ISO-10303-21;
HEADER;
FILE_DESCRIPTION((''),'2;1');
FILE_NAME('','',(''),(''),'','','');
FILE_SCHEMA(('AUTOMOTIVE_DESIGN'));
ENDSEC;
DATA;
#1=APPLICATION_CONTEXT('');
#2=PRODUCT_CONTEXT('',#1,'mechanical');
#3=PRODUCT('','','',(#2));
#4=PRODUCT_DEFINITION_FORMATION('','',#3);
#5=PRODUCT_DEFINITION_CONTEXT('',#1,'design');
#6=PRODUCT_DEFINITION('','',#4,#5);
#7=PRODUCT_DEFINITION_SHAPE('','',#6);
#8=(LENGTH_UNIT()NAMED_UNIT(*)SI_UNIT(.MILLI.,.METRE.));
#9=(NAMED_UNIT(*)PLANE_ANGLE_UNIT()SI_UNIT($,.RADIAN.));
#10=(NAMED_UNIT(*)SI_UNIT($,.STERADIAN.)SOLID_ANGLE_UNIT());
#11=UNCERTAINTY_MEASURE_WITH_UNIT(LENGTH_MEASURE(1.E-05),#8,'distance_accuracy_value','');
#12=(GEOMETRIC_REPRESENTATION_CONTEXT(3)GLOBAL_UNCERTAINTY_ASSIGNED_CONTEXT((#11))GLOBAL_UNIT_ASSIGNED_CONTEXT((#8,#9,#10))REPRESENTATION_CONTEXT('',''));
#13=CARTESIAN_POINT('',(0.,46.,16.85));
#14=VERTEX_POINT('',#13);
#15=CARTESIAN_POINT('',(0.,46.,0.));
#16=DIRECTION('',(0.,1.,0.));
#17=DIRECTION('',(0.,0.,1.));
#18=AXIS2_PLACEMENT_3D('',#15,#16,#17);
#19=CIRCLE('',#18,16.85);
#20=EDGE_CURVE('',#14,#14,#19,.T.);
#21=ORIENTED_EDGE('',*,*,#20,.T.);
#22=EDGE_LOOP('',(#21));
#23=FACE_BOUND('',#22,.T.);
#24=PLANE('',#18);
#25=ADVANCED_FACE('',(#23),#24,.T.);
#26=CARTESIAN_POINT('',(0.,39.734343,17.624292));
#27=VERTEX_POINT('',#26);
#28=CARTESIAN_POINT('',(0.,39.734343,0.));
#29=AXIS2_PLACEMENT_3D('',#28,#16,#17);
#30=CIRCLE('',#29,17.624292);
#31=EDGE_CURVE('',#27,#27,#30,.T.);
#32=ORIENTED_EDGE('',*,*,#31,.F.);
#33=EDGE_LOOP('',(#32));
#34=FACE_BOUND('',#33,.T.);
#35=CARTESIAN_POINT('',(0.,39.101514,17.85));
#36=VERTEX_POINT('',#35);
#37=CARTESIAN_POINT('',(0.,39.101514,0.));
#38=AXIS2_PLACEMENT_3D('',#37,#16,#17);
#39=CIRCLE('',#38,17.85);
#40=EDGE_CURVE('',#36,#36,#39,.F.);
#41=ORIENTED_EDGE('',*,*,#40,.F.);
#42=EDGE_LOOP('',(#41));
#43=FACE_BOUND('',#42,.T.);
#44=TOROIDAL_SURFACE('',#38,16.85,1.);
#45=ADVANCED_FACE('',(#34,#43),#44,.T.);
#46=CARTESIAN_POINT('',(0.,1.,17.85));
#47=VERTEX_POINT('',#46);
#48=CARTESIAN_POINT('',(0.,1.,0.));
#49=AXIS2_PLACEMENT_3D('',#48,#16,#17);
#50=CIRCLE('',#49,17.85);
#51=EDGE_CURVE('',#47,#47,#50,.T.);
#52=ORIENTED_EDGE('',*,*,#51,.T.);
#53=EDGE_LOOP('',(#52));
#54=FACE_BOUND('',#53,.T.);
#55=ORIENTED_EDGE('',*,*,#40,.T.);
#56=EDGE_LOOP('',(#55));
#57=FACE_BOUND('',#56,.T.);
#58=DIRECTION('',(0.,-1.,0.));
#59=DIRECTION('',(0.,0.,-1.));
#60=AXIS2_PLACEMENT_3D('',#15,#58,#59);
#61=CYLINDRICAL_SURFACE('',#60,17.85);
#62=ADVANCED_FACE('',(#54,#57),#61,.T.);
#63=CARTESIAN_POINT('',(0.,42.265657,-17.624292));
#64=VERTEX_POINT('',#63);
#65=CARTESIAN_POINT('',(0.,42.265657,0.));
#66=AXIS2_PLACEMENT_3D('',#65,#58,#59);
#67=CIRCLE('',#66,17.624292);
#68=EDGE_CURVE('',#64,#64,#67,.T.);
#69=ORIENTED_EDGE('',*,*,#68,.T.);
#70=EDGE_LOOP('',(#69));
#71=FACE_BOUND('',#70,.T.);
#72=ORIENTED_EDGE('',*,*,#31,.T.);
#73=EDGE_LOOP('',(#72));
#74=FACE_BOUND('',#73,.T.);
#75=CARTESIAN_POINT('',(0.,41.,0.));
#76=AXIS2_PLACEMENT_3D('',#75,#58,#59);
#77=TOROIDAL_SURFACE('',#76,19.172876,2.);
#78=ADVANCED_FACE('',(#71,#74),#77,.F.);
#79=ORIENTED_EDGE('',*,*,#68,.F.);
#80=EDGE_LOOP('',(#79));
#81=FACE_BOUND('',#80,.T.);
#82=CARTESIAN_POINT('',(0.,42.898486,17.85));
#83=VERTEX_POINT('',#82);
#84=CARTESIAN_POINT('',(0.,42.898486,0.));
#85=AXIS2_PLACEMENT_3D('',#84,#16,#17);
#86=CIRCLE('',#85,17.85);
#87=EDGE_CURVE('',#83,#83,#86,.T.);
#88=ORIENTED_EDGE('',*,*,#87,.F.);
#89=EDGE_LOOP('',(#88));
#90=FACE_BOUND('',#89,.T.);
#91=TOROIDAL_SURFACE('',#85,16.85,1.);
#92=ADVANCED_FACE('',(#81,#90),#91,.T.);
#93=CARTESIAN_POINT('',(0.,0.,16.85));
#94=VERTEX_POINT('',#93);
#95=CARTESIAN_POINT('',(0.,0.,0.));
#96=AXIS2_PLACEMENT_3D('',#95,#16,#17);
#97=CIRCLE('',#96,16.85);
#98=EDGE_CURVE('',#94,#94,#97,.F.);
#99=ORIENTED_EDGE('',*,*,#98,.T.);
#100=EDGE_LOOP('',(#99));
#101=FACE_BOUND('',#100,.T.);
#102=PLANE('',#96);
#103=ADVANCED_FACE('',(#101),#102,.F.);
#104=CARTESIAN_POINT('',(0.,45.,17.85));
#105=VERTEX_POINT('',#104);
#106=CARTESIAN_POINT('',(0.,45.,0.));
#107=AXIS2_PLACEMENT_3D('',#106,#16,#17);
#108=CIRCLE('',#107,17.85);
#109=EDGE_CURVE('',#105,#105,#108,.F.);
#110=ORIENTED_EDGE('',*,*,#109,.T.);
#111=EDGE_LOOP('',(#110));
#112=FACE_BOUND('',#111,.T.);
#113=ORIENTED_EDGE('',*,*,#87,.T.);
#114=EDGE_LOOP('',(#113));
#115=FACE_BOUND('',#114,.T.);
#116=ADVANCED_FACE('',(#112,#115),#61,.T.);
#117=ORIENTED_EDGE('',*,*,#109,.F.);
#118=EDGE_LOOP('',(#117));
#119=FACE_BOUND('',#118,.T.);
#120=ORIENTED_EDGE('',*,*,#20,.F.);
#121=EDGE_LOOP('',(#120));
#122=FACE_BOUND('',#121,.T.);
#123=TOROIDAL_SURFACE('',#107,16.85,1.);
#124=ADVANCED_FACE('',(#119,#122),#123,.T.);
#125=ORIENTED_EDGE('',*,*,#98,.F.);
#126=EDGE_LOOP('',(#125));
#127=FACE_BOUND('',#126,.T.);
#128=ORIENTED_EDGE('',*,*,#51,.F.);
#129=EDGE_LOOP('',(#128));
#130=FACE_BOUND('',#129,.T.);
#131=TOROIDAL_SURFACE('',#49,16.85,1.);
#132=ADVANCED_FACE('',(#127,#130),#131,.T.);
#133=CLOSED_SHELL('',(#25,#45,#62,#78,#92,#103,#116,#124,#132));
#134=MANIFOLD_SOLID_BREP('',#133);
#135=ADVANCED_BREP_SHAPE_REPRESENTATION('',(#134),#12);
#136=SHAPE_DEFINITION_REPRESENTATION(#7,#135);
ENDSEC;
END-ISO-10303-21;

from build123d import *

# Parameters (mm, degrees)
ESBO_O1_R                = 17.85
RESSALTO_EXTRUS_O1_DEPTH = 46
FILETE1_R                = 1
FILETE2_R                = 1


with BuildPart() as part:
    # Esboço1 → Ressalto-extrusão1 (new body)
    with BuildSketch(Plane(origin=(0, 0, 0), x_dir=(1, 0, 0), z_dir=(0, 1, 0))):
        with Locations(Location((0, 0, 0), (0, 0, 270))):
            Circle(ESBO_O1_R)
    extrude(amount=RESSALTO_EXTRUS_O1_DEPTH)

    # Varredura de corte1: sweep along a curve in space
    with BuildLine() as varredura_de_corte1_path:
        ThreePointArc((0, 46, 17.85), (12.621856044, 46, 12.621856044), (17.85, 46, 0))
        ThreePointArc((17.85, 46, 0), (12.621856044, 46, -12.621856044), (0, 46, -17.85))
        ThreePointArc((0, 46, -17.85), (-12.621856044, 46, -12.621856044), (-17.85, 46, 0))
        ThreePointArc((-17.85, 46, 0), (-12.621856044, 46, 12.621856044), (0, 46, 17.85))
    # Esboço2 → Varredura de corte1 (sweep, cut)
    with BuildSketch(Plane.XY):
        with BuildLine():
            Line((17.85, 42.5), (17.85, 39.5))
            ThreePointArc((17.85, 39.5), (17.172875656, 41), (17.85, 42.5))
        make_face()
    sweep(path=varredura_de_corte1_path.line, mode=Mode.SUBTRACT)

    # Filete1
    filete1_edges = [part.edges().sort_by_distance(p)[0] for p in [
        (0, 0, -17.85),
        (0, 46, -17.85),
    ]]
    fillet(filete1_edges, radius=FILETE1_R)

    # Filete2
    filete2_edges = [part.edges().sort_by_distance(p)[0] for p in [
        (12.621856044, 39.5, -12.621856044),
        (12.621856044, 42.5, -12.621856044),
    ]]
    fillet(filete2_edges, radius=FILETE2_R)


solid = part.part
